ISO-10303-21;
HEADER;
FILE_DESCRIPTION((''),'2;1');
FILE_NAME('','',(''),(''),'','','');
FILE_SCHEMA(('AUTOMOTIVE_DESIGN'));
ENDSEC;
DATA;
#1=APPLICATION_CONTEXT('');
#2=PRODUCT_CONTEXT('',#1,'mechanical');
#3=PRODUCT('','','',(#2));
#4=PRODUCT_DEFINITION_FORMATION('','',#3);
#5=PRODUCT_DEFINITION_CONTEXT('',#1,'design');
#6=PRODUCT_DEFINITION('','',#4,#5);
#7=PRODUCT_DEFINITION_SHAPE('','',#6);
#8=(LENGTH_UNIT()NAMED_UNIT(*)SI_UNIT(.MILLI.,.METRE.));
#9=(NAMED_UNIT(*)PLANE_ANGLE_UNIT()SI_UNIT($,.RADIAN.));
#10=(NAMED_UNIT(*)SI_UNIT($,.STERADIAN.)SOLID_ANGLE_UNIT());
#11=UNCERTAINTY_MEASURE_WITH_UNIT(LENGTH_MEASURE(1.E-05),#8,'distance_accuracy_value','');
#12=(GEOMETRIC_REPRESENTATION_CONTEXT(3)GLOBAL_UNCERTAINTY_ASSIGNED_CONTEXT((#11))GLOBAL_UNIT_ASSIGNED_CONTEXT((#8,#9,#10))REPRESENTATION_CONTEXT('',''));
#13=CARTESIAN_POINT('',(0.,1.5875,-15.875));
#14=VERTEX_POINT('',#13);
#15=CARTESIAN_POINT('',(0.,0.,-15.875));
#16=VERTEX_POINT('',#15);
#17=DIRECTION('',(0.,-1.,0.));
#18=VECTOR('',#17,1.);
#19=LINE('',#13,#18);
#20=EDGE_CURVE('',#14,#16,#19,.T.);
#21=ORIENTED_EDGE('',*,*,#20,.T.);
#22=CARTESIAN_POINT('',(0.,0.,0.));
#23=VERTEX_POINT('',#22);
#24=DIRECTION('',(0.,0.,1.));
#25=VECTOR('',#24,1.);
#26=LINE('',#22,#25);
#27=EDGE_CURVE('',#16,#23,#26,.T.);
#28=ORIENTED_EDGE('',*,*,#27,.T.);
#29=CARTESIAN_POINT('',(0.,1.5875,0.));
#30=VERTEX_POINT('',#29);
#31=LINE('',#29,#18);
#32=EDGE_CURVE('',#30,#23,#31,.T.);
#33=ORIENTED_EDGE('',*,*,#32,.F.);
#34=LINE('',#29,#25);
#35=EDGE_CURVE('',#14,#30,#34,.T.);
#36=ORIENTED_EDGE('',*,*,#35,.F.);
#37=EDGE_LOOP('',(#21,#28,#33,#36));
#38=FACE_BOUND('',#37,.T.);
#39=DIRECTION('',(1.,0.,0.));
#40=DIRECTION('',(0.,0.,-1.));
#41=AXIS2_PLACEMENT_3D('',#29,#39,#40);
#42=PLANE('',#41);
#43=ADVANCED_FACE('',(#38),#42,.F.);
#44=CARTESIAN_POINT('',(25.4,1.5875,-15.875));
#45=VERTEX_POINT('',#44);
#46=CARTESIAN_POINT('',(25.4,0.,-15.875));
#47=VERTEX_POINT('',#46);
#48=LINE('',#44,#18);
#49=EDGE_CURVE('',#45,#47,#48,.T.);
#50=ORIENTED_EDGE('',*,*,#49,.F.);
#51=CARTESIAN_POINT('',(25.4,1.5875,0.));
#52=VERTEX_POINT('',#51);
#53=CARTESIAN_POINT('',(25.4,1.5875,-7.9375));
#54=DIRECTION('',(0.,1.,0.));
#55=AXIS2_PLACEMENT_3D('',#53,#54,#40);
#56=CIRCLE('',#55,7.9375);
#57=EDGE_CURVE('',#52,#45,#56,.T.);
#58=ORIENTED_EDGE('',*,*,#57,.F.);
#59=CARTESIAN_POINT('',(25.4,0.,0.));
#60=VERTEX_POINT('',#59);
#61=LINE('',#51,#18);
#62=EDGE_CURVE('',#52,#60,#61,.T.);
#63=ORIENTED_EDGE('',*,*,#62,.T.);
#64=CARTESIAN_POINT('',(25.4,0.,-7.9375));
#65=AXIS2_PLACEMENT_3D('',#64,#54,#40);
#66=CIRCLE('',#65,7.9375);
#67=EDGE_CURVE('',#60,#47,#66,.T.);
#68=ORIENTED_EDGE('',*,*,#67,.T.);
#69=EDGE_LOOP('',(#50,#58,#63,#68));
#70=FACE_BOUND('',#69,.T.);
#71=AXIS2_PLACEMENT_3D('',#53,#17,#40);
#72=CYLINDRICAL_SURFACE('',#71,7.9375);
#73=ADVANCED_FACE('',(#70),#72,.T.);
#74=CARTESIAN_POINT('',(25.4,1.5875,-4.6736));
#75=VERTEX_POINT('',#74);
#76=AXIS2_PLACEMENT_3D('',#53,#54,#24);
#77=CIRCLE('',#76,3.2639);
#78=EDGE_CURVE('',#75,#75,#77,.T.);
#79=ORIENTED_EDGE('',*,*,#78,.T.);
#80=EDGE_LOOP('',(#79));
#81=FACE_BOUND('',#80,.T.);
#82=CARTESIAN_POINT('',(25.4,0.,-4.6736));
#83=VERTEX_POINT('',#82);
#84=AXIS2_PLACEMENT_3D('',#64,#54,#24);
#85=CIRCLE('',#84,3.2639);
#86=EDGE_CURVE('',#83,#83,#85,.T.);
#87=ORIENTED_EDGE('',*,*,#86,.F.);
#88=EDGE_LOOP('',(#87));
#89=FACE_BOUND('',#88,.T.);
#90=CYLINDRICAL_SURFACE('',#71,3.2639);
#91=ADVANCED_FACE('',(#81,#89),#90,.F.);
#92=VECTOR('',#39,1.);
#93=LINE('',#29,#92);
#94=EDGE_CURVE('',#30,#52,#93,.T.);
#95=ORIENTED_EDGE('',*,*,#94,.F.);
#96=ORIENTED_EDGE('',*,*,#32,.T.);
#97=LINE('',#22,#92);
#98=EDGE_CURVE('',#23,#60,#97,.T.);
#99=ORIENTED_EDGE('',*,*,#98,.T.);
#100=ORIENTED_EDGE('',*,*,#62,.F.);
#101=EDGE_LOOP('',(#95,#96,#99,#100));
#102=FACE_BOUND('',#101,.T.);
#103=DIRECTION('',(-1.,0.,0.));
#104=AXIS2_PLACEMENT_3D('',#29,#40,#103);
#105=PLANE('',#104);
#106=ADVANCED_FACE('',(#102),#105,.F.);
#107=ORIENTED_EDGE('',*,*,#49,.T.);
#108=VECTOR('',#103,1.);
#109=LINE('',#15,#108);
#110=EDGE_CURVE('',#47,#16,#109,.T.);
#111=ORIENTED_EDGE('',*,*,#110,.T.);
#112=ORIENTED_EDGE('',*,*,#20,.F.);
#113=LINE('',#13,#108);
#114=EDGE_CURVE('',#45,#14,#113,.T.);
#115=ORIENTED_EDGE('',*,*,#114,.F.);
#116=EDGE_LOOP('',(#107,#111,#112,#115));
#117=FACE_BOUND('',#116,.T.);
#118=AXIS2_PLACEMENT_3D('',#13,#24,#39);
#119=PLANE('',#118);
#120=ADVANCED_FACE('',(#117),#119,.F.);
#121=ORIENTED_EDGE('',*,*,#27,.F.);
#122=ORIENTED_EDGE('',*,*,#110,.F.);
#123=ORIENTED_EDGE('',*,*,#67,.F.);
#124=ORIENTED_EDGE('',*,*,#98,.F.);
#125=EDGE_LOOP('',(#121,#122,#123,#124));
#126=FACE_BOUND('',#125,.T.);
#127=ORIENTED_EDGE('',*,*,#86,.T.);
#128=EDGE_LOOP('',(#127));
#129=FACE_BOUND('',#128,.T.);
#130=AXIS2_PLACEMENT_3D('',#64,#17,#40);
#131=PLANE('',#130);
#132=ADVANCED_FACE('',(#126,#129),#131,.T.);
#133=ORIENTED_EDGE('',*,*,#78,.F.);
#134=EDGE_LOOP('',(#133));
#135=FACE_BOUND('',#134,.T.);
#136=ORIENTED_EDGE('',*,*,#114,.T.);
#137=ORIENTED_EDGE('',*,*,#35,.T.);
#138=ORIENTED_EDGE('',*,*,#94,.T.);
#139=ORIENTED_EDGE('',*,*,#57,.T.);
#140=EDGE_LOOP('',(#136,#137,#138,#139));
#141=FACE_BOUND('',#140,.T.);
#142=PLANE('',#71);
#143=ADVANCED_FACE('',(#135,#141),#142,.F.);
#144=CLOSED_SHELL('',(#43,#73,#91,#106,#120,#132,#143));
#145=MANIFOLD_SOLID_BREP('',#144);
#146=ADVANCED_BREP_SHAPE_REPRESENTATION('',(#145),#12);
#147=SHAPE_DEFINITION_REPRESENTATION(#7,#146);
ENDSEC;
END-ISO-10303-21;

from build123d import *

# Parameters (mm, degrees)
SKETCH1_R           = 3.2639
BOSS_EXTRUDE1_DEPTH = 1.5875


with BuildPart() as part:
    # Sketch1 → Boss-Extrude1 (new body)
    with BuildSketch(Plane(origin=(0, 0, 0), x_dir=(1, 0, 0), z_dir=(0, 1, 0))):
        with BuildLine():
            Line((0, 0), (0, 15.875))
            Line((0, 15.875), (25.4, 15.875))
            ThreePointArc((25.4, 15.875), (33.3375, 7.9375), (25.4, 0))
            Line((25.4, 0), (0, 0))
        make_face()
        with Locations(Location((25.4, 7.9375, 0), (0, 0, 270))):
            Circle(SKETCH1_R, mode=Mode.SUBTRACT)
    extrude(amount=BOSS_EXTRUDE1_DEPTH)


solid = part.part
